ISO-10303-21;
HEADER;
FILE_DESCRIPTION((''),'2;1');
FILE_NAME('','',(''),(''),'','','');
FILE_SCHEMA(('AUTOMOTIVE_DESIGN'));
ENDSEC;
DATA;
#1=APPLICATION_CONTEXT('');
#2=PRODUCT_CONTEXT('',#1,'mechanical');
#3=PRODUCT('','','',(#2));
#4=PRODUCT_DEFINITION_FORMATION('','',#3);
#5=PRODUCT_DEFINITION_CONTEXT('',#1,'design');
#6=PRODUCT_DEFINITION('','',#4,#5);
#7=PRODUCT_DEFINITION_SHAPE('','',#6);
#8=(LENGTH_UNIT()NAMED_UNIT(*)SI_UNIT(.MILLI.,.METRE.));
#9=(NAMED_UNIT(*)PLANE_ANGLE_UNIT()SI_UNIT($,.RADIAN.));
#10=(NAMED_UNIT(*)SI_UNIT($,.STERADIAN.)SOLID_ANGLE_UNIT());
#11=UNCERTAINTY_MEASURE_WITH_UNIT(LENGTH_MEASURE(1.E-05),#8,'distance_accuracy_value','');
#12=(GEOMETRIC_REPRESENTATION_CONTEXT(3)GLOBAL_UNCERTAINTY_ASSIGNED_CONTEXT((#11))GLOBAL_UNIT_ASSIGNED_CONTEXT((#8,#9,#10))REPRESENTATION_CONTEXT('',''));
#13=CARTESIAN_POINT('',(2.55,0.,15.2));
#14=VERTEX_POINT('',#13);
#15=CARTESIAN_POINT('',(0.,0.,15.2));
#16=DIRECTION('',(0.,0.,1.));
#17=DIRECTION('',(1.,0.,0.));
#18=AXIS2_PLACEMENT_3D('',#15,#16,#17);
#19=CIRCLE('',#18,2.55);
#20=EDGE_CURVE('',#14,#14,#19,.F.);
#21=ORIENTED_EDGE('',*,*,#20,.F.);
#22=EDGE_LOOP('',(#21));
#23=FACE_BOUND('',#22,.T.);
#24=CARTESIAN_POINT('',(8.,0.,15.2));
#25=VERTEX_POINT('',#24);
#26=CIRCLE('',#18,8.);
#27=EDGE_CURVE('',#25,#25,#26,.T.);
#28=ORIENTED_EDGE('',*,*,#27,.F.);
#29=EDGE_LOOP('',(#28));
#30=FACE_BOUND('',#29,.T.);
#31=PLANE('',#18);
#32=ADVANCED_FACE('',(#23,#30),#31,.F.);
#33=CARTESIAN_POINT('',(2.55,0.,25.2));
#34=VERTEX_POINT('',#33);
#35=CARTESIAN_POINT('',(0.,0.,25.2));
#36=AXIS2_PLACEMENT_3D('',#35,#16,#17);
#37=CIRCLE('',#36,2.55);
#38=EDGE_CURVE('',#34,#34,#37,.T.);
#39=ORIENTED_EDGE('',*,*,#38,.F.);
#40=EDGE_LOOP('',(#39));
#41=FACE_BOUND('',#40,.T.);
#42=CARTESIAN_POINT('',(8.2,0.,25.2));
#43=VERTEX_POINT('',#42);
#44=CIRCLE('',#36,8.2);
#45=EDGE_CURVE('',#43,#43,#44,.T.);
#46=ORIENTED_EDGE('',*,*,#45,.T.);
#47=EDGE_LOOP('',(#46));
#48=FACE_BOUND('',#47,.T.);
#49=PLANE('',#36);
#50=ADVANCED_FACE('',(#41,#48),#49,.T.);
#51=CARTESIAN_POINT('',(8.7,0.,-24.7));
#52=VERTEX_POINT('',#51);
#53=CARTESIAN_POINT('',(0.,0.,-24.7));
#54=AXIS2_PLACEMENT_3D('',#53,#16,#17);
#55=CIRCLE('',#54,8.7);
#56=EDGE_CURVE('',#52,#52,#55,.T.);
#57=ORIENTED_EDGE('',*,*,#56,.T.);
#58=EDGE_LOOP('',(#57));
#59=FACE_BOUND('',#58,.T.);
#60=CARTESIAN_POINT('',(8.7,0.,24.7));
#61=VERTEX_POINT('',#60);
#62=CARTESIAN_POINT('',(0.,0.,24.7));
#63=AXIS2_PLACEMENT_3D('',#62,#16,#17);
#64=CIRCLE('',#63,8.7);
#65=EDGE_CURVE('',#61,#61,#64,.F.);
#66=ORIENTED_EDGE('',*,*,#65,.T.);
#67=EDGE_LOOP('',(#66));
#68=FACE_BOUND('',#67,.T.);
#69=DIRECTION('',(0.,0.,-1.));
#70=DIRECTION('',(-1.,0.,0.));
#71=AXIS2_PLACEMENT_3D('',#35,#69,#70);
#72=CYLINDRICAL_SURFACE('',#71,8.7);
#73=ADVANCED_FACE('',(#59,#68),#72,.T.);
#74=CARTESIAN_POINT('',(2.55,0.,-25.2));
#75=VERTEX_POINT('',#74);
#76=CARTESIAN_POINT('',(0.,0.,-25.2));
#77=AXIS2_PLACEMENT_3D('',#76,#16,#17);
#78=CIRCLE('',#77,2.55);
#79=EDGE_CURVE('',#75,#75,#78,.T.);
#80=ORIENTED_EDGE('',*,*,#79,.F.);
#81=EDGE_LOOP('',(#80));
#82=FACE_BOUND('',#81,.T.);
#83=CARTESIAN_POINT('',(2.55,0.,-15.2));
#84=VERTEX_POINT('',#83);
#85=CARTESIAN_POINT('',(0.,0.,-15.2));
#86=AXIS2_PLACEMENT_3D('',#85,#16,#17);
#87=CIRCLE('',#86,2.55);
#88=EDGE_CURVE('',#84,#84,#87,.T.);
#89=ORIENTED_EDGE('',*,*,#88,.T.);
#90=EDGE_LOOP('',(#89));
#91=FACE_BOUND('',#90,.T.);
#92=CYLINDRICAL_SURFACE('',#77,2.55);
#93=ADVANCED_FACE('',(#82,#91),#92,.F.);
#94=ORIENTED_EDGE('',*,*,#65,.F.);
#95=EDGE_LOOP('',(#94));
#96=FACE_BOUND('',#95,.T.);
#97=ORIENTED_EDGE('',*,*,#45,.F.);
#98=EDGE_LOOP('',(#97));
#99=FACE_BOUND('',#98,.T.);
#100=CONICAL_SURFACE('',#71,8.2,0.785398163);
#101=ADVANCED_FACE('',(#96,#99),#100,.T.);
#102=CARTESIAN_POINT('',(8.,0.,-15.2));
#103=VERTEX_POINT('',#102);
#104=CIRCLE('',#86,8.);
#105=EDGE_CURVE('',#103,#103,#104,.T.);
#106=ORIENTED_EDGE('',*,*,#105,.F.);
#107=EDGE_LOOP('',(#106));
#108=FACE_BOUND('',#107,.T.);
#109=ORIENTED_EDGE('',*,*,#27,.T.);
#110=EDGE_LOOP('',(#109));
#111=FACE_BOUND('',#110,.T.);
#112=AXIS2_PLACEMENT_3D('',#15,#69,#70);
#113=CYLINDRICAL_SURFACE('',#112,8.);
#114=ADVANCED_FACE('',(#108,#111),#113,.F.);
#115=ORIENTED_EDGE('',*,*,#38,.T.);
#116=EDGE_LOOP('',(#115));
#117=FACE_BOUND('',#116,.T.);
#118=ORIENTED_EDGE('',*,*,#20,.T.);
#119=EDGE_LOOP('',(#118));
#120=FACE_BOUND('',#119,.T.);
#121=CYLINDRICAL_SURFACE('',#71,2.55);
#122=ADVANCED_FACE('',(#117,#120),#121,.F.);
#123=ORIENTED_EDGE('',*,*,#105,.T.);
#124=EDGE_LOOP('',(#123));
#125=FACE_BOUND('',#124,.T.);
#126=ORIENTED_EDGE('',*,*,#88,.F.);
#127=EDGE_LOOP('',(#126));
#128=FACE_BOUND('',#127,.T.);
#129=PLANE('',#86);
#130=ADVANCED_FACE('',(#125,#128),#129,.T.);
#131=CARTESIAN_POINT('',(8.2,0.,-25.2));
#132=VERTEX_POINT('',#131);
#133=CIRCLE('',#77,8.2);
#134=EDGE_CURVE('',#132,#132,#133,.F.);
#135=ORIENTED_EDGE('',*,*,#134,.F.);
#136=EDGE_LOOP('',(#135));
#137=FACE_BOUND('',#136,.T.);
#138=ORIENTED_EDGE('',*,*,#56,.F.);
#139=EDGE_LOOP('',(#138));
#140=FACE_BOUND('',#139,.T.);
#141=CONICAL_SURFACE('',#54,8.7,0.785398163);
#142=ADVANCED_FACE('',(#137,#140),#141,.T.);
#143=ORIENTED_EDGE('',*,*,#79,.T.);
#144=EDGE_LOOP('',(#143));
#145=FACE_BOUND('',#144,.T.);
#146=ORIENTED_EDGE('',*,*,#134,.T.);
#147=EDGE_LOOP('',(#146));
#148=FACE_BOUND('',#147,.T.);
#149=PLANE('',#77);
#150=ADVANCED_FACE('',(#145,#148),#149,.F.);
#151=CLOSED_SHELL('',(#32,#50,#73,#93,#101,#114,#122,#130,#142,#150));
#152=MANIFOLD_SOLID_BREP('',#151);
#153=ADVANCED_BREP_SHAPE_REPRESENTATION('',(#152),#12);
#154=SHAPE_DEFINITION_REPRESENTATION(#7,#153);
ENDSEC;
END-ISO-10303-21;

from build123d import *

# Parameters (mm, degrees)
SKETCH1_R                = 8.7
BASE_EXTRUDE_DEPTH       = 25.2
BASE_EXTRUDE_DEPTH_BACK  = 25.2
SKETCH2_R                = 8
STROKECHAMBER_DEPTH      = 15.2
STROKECHAMBER_DEPTH_BACK = 15.2
CHAMFER1_SIZE            = 0.5
SKETCH3_R                = 2.55
THRUBORE_DEPTH           = 26.2
SKETCH4_R                = 2.55
CUT_EXTRUDE1_DEPTH       = 51.4


with BuildPart() as part:
    # Sketch1 → Base-Extrude (new body, two sides)
    with BuildSketch(Plane.XY) as base_extrude_sk:
        Circle(SKETCH1_R)
    extrude(amount=BASE_EXTRUDE_DEPTH)
    extrude(base_extrude_sk.sketch, amount=-BASE_EXTRUDE_DEPTH_BACK)

    # Sketch2 → StrokeChamber (cut, two sides)
    with BuildSketch(Plane.XY) as strokechamber_sk:
        Circle(SKETCH2_R)
    extrude(amount=STROKECHAMBER_DEPTH, mode=Mode.SUBTRACT)
    extrude(strokechamber_sk.sketch, amount=-STROKECHAMBER_DEPTH_BACK, mode=Mode.SUBTRACT)

    # Chamfer1
    chamfer1_edges = [part.edges().sort_by_distance(p)[0] for p in [
        (-8.7, 0, 25.2),
        (-8.7, 0, -25.2),
    ]]
    chamfer(chamfer1_edges, length=CHAMFER1_SIZE)

    # Sketch3 → Thrubore (cut, through all)
    with BuildSketch(Plane.XY):
        Circle(SKETCH3_R)
    extrude(amount=THRUBORE_DEPTH, mode=Mode.SUBTRACT)

    # Sketch4 → Cut-Extrude1 (cut, through all)
    with BuildSketch(Plane.XY.offset(25.2)):
        Circle(SKETCH4_R)
    extrude(amount=-CUT_EXTRUDE1_DEPTH, mode=Mode.SUBTRACT)


solid = part.part
